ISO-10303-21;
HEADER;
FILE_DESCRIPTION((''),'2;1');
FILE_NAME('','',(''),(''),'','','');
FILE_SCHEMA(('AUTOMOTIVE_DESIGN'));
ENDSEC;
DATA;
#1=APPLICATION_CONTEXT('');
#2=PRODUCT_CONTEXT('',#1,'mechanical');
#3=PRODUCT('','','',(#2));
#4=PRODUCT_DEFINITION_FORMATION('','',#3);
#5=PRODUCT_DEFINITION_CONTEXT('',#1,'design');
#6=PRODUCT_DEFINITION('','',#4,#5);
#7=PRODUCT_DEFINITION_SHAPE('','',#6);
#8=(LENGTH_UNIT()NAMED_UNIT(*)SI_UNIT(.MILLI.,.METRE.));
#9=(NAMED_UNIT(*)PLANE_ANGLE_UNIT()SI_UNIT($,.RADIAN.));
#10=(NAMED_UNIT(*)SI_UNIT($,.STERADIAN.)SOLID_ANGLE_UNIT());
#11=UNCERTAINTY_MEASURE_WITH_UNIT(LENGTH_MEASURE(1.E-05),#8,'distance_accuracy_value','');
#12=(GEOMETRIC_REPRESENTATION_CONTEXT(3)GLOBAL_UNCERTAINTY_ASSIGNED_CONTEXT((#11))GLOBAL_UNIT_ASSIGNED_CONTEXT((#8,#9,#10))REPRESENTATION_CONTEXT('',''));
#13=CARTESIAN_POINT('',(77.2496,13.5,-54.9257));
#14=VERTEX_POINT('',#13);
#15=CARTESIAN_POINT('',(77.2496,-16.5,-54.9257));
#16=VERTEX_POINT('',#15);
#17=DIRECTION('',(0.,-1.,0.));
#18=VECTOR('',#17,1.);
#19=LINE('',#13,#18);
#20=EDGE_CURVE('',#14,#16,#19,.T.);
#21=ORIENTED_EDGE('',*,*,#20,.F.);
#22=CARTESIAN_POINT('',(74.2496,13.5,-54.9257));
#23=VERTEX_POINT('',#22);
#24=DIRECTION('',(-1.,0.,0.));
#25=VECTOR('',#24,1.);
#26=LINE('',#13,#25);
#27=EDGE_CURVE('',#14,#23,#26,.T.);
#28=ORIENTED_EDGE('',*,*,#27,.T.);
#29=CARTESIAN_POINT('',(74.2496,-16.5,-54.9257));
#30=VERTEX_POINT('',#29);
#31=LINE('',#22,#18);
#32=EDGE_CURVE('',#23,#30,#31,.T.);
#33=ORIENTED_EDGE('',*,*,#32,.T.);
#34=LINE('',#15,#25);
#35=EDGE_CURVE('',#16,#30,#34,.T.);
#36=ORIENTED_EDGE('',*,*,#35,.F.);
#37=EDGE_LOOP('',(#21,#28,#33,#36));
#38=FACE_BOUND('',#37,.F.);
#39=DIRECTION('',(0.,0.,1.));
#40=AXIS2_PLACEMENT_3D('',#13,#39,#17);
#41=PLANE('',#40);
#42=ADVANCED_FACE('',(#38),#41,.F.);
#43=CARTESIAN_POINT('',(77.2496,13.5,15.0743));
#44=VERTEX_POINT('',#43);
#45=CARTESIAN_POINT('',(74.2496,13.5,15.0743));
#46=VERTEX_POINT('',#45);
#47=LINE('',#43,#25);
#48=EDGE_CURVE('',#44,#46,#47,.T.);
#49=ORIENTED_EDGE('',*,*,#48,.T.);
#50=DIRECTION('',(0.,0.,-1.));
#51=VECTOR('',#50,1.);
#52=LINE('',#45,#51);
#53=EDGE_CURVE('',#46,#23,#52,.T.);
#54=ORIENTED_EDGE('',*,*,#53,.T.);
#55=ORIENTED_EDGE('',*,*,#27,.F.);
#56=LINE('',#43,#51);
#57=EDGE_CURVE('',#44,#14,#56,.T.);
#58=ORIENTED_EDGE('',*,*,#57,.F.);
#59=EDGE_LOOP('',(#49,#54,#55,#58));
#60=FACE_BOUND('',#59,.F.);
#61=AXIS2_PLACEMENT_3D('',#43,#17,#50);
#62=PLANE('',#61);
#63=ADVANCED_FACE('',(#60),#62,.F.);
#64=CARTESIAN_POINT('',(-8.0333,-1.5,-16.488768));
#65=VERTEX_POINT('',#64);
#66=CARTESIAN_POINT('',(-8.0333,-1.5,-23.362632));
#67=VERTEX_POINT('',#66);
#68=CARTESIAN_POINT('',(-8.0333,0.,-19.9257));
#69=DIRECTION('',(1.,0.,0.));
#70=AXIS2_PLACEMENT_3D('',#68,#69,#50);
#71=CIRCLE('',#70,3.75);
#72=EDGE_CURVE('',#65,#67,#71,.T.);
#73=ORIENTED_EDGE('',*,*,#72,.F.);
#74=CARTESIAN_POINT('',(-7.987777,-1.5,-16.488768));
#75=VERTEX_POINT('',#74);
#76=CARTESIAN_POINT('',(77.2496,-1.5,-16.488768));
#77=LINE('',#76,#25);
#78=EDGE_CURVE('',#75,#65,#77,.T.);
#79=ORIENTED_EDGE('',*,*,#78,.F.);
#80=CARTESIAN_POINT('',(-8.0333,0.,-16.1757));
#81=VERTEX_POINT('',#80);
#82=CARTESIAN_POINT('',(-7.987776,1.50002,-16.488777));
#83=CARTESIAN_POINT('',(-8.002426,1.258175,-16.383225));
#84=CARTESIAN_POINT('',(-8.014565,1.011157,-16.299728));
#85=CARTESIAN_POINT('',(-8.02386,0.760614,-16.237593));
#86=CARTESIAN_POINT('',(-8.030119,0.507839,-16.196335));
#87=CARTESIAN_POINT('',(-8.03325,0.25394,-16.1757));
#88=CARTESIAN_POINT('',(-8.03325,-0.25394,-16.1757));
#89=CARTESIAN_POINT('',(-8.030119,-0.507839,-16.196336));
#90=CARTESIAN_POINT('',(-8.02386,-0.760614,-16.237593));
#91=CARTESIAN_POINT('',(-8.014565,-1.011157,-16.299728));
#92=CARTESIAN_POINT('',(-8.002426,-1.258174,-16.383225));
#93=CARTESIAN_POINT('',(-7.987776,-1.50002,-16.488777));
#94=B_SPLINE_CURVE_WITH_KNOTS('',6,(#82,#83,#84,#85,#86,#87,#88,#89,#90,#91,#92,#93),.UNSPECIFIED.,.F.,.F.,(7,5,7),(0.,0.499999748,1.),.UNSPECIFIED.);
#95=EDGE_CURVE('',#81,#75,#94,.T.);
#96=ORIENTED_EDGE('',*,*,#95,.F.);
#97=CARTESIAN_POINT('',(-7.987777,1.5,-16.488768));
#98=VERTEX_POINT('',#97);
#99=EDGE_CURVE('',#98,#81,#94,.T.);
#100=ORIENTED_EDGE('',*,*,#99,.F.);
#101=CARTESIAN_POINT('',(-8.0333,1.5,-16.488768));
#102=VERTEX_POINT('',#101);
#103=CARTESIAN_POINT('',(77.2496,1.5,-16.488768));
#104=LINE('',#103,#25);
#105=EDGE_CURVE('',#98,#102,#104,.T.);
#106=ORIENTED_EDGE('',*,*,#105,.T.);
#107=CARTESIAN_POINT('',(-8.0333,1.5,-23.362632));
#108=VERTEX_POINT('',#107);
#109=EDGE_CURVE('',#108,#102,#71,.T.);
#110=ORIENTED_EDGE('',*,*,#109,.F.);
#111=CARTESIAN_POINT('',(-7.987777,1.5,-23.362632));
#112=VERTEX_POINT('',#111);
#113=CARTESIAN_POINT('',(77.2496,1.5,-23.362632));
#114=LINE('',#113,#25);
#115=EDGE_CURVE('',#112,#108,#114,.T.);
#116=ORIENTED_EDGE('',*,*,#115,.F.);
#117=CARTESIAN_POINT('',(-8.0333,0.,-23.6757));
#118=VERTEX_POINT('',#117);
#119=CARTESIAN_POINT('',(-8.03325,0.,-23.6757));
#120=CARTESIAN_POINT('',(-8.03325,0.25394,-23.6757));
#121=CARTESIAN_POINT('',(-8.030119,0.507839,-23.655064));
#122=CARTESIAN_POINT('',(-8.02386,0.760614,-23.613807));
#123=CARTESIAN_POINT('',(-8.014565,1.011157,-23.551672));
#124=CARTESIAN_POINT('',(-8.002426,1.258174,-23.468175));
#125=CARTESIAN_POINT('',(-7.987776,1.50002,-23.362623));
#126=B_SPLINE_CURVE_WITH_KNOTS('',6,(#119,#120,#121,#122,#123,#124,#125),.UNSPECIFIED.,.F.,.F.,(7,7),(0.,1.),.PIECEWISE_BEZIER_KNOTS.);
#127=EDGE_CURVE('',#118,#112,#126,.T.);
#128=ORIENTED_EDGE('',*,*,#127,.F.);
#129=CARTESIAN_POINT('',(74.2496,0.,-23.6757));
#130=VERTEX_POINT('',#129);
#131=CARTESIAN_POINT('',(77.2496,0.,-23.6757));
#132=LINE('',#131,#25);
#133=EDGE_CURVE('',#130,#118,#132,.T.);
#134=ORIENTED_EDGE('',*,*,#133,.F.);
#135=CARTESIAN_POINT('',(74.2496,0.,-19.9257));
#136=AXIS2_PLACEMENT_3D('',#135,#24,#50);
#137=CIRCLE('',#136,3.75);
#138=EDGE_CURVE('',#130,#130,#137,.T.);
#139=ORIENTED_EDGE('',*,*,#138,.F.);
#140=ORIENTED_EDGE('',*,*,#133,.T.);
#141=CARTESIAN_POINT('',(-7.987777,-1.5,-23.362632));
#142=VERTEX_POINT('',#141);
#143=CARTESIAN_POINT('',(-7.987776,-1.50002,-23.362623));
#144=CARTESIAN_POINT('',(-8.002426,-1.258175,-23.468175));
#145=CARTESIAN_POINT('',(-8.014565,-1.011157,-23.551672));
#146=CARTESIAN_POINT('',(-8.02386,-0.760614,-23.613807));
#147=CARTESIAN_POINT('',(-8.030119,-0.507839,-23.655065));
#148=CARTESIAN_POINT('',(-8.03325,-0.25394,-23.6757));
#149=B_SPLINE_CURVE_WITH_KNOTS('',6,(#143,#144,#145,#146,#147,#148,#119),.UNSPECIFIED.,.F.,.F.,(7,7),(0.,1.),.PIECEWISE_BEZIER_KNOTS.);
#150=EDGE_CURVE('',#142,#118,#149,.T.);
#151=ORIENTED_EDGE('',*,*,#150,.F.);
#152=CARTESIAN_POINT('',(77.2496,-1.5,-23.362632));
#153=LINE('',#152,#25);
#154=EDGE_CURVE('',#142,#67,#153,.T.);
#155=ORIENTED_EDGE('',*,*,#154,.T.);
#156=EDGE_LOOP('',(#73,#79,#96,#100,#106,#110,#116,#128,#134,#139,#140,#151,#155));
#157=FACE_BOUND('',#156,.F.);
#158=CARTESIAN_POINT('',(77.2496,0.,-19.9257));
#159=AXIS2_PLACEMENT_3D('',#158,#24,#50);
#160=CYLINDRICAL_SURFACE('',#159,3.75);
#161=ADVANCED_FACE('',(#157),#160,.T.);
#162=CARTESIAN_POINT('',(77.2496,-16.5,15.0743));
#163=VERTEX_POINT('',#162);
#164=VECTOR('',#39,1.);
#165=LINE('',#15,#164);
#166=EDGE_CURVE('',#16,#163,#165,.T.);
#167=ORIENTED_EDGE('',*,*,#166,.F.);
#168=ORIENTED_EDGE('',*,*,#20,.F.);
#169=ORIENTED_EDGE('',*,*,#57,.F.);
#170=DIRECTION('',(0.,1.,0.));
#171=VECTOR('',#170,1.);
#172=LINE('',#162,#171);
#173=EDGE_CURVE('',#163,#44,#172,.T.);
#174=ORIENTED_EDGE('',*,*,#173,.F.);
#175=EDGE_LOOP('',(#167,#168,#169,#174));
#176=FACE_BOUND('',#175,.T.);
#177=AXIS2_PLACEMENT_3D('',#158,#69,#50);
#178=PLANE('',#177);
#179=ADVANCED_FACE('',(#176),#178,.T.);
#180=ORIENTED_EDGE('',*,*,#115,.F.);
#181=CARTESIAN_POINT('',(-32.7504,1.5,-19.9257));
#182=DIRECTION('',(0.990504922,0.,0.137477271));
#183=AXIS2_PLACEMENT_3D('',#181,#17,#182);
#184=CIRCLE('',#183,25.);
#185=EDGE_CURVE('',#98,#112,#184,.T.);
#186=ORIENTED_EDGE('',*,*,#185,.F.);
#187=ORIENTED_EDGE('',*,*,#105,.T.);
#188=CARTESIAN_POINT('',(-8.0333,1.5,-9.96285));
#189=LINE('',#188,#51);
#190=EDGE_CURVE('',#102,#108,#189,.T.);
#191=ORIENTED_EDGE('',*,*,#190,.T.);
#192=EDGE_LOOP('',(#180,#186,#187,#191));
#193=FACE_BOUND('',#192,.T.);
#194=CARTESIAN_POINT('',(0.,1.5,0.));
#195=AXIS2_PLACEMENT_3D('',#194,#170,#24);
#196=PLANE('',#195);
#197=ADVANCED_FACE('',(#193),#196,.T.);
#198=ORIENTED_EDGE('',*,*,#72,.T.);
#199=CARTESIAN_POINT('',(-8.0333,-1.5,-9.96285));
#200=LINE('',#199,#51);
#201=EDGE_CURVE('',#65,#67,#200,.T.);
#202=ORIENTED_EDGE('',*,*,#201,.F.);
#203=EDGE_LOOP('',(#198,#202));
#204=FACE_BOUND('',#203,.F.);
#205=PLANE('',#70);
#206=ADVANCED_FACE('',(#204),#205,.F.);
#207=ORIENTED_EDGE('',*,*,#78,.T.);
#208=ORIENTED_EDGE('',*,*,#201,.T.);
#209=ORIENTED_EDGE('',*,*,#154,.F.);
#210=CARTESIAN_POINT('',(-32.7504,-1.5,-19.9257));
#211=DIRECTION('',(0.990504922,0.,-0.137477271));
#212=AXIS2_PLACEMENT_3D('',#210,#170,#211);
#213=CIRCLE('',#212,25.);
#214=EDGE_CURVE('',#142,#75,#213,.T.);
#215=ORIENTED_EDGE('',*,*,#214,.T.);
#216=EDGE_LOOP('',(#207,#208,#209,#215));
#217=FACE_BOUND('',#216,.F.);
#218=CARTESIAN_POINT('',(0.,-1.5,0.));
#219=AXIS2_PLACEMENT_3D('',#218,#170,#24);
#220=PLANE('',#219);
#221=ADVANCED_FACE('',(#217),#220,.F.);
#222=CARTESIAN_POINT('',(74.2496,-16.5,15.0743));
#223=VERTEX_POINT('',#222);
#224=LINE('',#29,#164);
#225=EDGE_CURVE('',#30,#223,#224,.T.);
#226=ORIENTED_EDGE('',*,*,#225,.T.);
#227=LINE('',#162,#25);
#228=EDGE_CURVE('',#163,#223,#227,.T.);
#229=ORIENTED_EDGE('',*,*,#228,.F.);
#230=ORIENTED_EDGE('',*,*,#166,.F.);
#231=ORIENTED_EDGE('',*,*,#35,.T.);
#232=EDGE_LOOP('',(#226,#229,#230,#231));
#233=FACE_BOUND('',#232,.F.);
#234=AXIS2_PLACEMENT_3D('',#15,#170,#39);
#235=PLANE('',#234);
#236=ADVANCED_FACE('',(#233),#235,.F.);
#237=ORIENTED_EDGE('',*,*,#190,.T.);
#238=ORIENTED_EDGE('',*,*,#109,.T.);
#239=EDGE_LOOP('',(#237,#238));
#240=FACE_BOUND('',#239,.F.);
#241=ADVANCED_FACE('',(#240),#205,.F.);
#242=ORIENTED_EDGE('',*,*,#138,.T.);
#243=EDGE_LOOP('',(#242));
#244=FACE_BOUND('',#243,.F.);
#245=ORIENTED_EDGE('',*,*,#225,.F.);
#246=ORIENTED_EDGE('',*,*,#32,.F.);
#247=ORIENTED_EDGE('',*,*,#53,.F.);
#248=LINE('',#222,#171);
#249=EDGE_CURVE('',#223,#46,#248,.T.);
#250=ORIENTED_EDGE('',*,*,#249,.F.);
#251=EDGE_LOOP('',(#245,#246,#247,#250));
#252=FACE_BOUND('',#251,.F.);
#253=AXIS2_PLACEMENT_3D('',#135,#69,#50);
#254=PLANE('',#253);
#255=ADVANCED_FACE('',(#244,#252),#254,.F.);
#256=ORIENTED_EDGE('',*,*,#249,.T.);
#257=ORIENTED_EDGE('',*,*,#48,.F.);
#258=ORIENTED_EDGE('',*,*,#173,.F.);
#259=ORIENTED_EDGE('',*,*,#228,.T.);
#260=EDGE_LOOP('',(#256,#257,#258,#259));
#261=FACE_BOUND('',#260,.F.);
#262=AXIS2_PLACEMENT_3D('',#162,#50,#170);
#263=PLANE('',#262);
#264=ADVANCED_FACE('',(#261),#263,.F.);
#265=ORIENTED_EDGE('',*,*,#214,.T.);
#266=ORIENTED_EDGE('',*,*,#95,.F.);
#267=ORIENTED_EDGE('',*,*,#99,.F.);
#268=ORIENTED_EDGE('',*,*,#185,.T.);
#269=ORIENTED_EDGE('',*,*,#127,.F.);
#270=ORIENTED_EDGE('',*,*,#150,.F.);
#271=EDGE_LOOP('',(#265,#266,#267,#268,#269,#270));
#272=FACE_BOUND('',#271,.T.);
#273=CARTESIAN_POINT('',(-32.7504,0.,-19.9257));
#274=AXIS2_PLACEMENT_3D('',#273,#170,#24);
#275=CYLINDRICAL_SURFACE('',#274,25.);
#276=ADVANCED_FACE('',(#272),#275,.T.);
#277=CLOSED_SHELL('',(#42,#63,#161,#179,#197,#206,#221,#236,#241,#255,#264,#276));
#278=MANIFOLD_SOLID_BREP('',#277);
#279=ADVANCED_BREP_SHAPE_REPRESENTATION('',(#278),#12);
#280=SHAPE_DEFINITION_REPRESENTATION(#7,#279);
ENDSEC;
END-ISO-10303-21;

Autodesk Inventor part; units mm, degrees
ref_plane "YZ Plane" through (0, 0, 0) normal (1, 0, 0) x (0, 1, 0)
ref_plane "XZ Plane" through (0, 0, 0) normal (0, 1, 0) x (-1, 0, 0)
ref_plane "XY Plane" through (0, 0, 0) normal (0, 0, 1) x (1, 0, 0)
sketch "Skizze1" plane through (0, 0, 0) normal (0, 1, 0) x (-1, 0, 0)
  circle A0 centre (32.7504, -19.9257) radius 25
  line L0 (32.7504, -19.9257) -> (-77.2496, -19.9257)
  line L1 (-77.2496, -19.9257) -> (-77.2496, -23.6757)
  line L2 (-77.2496, -23.6757) -> (8.0333, -23.6757)
  line L3 (8.0333, -23.6757) -> (8.0333, -19.9257)
  point P0 (0, 0)
  dimension "d4" = 50
  dimension "d9" = 110
  dimension "d10" = 3.75
extrude "Extrusion1" add sketch "Skizze1" along normal blind 1.5 and the other way blind 1.5 contours L3 L0 A0 | A0 L0 L3
revolve "Umdrehung1" add sketch "Skizze1" angle 360 about axis through (-32.7504, 0, -19.9257) along (1, 0, 0) picked at (7.9809, -22.0108) contours L2 L1 L0 A0 | A0 L0 L3
sketch "Skizze2" plane through (77.2496, 0, -19.9257) normal (1, 0, 0) x (0, 0, -1)
  line L0 (35, -16.5) -> (-35, -16.5)
  line L1 (-35, -16.5) -> (-35, 13.5)
  line L2 (-35, 13.5) -> (35, 13.5)
  line L3 (35, 13.5) -> (35, -16.5)
  line L4 (-25, -1.5) -> (25, -1.5) projected
  line L5 (35, -16.5) -> (-35, 13.5) construction
  line L6 (-35, -16.5) -> (35, 13.5) construction
  point P0 (-19.9257, 0)
  point P1 (0, -1.5)
  point P2 (-3.75, 0)
  point P3 (3.75, 0)
  dimension "d14" = 70
  dimension "d15" = 30
extrude "Extrusion2" add sketch "Skizze2" against normal blind 3
properties part number "Kreisverkehrsschild"
